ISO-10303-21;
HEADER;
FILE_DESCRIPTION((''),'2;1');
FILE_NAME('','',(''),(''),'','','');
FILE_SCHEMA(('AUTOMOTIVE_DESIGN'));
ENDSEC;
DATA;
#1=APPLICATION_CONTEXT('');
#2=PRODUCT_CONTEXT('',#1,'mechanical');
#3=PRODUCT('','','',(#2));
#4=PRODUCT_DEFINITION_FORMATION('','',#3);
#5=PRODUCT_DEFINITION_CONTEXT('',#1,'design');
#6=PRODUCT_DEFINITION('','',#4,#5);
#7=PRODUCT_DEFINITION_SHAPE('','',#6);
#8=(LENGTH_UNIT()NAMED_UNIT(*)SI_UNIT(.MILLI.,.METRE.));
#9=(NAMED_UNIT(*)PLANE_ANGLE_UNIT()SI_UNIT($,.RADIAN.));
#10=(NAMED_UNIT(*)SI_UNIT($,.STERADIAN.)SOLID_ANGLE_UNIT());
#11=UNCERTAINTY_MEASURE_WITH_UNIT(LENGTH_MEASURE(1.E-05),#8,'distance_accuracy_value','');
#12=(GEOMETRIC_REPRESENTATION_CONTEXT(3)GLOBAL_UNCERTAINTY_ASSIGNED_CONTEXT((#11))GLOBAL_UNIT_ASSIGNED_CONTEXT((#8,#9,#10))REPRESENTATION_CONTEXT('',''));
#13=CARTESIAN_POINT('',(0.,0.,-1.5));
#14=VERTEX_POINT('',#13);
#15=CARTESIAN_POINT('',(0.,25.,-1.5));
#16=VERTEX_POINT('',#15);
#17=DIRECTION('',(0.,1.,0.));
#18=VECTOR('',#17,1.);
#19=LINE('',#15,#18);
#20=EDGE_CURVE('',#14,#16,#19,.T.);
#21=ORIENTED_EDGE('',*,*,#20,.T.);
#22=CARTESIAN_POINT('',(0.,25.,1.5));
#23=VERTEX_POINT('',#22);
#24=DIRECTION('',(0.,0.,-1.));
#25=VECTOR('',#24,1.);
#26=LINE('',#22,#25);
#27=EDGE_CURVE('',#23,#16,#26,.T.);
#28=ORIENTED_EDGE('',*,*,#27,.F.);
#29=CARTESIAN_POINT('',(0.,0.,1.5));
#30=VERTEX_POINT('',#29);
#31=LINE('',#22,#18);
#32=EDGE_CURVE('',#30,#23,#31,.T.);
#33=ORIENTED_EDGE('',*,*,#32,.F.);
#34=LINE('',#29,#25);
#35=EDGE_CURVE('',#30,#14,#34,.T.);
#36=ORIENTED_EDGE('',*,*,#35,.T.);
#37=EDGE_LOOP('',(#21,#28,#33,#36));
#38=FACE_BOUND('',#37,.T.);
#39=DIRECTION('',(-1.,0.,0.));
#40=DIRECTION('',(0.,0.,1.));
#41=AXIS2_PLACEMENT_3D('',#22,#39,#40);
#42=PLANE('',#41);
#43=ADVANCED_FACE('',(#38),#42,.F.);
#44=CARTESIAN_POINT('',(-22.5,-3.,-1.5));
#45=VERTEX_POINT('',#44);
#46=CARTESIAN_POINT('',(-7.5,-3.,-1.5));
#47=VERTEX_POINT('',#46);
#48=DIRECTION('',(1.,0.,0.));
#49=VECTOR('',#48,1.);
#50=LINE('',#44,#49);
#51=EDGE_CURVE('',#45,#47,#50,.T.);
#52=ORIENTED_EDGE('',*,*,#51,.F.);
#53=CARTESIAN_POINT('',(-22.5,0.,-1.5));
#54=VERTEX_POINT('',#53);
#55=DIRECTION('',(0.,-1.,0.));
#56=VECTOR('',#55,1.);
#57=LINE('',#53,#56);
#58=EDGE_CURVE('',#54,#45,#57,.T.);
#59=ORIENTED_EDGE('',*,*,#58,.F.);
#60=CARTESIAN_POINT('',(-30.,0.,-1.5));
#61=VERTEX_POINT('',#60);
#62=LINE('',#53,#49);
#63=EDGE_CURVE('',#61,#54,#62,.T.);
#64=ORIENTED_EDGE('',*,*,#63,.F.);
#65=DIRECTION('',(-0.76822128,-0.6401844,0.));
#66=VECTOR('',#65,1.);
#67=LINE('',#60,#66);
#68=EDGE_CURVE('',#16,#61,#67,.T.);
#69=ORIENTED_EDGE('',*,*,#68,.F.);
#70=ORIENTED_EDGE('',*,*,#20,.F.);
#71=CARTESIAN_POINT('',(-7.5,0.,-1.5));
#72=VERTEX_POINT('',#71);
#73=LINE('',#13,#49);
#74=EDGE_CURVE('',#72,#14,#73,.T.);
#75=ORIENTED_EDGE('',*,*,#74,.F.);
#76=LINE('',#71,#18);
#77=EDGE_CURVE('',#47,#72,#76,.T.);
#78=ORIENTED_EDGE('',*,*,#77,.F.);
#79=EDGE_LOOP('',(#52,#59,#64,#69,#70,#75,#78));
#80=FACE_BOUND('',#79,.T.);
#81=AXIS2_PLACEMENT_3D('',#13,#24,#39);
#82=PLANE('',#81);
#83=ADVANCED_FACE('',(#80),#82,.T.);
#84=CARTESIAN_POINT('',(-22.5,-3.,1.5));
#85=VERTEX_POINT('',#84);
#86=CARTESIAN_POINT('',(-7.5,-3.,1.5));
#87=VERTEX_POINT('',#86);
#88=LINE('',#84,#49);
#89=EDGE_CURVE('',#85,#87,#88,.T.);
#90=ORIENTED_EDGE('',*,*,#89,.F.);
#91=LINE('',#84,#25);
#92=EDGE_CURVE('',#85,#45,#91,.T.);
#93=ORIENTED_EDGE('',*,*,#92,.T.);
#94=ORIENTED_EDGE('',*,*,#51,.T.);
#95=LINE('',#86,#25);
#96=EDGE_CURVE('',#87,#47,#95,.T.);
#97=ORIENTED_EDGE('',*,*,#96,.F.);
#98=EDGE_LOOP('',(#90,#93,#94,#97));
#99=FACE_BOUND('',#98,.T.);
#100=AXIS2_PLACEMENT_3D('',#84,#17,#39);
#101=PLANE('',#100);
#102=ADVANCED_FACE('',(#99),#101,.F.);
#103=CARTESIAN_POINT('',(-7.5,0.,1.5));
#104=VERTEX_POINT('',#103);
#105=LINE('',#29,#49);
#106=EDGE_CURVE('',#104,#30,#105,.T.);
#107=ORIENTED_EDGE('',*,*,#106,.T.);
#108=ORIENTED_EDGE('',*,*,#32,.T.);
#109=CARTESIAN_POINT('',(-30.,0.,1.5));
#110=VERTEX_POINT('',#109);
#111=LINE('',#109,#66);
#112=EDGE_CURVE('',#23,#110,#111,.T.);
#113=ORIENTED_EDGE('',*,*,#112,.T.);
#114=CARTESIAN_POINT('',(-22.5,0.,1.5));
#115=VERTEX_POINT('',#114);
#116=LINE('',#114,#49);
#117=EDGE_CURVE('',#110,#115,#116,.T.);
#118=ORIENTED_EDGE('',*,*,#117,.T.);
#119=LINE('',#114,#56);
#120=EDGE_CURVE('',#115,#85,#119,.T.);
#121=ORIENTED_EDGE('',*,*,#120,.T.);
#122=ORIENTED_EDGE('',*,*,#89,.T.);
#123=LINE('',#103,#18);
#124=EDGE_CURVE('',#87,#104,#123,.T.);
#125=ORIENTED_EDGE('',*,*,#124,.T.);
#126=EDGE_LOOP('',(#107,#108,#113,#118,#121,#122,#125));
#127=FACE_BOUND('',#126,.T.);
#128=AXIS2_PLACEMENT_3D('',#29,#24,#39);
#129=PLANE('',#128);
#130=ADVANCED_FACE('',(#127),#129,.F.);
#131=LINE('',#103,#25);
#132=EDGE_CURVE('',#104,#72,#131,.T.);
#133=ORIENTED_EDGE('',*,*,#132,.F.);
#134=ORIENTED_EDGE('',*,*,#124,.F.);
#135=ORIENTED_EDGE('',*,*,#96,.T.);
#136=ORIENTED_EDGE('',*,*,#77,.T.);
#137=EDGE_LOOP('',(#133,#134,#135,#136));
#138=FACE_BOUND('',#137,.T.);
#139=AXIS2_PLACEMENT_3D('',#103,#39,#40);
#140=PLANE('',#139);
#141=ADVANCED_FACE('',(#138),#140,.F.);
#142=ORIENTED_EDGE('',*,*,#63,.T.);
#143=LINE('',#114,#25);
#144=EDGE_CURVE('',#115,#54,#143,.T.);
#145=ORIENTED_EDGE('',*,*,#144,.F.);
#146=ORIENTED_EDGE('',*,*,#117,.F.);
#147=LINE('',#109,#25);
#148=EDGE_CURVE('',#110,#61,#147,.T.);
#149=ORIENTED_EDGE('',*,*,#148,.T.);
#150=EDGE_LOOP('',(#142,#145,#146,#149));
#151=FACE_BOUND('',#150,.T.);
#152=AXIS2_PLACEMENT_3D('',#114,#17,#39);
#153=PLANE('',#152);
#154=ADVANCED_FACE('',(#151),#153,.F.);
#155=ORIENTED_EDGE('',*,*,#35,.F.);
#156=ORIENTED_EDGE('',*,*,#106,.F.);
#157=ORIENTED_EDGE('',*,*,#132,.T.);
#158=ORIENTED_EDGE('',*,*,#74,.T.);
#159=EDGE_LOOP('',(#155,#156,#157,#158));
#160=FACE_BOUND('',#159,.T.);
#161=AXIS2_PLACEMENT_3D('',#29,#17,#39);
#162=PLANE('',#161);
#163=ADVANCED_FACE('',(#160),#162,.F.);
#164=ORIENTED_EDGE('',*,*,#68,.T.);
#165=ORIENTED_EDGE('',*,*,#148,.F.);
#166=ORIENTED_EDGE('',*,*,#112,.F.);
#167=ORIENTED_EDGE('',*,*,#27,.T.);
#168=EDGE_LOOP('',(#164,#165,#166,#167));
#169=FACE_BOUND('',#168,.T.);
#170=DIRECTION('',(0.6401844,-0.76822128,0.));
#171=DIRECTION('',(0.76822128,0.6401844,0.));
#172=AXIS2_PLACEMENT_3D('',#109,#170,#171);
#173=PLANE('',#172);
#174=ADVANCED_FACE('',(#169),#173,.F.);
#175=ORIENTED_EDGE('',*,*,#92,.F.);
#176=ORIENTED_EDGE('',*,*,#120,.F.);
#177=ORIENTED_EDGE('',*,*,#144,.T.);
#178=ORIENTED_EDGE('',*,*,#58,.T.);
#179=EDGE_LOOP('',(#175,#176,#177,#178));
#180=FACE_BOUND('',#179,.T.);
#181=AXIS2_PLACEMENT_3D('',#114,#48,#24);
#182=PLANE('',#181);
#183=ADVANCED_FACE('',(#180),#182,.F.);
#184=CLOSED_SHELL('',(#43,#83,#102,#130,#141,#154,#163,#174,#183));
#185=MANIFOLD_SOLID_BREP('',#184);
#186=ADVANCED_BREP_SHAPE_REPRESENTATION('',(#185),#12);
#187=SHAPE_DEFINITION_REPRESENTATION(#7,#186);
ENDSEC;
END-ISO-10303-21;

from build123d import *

# Parameters (mm, degrees)
BOSS_EXTRUDE1_DEPTH = 1.5


with BuildPart() as part:
    # Sketch2 → Boss-Extrude1 (new, symmetric)
    with BuildSketch(Plane.XY):
        Polygon((0, 0), (-7.5, 0), (-7.5, -3), (-22.5, -3), (-22.5, 0), (-30, 0), (0, 25), align=None)
    extrude(amount=BOSS_EXTRUDE1_DEPTH, both=True)


solid = part.part
